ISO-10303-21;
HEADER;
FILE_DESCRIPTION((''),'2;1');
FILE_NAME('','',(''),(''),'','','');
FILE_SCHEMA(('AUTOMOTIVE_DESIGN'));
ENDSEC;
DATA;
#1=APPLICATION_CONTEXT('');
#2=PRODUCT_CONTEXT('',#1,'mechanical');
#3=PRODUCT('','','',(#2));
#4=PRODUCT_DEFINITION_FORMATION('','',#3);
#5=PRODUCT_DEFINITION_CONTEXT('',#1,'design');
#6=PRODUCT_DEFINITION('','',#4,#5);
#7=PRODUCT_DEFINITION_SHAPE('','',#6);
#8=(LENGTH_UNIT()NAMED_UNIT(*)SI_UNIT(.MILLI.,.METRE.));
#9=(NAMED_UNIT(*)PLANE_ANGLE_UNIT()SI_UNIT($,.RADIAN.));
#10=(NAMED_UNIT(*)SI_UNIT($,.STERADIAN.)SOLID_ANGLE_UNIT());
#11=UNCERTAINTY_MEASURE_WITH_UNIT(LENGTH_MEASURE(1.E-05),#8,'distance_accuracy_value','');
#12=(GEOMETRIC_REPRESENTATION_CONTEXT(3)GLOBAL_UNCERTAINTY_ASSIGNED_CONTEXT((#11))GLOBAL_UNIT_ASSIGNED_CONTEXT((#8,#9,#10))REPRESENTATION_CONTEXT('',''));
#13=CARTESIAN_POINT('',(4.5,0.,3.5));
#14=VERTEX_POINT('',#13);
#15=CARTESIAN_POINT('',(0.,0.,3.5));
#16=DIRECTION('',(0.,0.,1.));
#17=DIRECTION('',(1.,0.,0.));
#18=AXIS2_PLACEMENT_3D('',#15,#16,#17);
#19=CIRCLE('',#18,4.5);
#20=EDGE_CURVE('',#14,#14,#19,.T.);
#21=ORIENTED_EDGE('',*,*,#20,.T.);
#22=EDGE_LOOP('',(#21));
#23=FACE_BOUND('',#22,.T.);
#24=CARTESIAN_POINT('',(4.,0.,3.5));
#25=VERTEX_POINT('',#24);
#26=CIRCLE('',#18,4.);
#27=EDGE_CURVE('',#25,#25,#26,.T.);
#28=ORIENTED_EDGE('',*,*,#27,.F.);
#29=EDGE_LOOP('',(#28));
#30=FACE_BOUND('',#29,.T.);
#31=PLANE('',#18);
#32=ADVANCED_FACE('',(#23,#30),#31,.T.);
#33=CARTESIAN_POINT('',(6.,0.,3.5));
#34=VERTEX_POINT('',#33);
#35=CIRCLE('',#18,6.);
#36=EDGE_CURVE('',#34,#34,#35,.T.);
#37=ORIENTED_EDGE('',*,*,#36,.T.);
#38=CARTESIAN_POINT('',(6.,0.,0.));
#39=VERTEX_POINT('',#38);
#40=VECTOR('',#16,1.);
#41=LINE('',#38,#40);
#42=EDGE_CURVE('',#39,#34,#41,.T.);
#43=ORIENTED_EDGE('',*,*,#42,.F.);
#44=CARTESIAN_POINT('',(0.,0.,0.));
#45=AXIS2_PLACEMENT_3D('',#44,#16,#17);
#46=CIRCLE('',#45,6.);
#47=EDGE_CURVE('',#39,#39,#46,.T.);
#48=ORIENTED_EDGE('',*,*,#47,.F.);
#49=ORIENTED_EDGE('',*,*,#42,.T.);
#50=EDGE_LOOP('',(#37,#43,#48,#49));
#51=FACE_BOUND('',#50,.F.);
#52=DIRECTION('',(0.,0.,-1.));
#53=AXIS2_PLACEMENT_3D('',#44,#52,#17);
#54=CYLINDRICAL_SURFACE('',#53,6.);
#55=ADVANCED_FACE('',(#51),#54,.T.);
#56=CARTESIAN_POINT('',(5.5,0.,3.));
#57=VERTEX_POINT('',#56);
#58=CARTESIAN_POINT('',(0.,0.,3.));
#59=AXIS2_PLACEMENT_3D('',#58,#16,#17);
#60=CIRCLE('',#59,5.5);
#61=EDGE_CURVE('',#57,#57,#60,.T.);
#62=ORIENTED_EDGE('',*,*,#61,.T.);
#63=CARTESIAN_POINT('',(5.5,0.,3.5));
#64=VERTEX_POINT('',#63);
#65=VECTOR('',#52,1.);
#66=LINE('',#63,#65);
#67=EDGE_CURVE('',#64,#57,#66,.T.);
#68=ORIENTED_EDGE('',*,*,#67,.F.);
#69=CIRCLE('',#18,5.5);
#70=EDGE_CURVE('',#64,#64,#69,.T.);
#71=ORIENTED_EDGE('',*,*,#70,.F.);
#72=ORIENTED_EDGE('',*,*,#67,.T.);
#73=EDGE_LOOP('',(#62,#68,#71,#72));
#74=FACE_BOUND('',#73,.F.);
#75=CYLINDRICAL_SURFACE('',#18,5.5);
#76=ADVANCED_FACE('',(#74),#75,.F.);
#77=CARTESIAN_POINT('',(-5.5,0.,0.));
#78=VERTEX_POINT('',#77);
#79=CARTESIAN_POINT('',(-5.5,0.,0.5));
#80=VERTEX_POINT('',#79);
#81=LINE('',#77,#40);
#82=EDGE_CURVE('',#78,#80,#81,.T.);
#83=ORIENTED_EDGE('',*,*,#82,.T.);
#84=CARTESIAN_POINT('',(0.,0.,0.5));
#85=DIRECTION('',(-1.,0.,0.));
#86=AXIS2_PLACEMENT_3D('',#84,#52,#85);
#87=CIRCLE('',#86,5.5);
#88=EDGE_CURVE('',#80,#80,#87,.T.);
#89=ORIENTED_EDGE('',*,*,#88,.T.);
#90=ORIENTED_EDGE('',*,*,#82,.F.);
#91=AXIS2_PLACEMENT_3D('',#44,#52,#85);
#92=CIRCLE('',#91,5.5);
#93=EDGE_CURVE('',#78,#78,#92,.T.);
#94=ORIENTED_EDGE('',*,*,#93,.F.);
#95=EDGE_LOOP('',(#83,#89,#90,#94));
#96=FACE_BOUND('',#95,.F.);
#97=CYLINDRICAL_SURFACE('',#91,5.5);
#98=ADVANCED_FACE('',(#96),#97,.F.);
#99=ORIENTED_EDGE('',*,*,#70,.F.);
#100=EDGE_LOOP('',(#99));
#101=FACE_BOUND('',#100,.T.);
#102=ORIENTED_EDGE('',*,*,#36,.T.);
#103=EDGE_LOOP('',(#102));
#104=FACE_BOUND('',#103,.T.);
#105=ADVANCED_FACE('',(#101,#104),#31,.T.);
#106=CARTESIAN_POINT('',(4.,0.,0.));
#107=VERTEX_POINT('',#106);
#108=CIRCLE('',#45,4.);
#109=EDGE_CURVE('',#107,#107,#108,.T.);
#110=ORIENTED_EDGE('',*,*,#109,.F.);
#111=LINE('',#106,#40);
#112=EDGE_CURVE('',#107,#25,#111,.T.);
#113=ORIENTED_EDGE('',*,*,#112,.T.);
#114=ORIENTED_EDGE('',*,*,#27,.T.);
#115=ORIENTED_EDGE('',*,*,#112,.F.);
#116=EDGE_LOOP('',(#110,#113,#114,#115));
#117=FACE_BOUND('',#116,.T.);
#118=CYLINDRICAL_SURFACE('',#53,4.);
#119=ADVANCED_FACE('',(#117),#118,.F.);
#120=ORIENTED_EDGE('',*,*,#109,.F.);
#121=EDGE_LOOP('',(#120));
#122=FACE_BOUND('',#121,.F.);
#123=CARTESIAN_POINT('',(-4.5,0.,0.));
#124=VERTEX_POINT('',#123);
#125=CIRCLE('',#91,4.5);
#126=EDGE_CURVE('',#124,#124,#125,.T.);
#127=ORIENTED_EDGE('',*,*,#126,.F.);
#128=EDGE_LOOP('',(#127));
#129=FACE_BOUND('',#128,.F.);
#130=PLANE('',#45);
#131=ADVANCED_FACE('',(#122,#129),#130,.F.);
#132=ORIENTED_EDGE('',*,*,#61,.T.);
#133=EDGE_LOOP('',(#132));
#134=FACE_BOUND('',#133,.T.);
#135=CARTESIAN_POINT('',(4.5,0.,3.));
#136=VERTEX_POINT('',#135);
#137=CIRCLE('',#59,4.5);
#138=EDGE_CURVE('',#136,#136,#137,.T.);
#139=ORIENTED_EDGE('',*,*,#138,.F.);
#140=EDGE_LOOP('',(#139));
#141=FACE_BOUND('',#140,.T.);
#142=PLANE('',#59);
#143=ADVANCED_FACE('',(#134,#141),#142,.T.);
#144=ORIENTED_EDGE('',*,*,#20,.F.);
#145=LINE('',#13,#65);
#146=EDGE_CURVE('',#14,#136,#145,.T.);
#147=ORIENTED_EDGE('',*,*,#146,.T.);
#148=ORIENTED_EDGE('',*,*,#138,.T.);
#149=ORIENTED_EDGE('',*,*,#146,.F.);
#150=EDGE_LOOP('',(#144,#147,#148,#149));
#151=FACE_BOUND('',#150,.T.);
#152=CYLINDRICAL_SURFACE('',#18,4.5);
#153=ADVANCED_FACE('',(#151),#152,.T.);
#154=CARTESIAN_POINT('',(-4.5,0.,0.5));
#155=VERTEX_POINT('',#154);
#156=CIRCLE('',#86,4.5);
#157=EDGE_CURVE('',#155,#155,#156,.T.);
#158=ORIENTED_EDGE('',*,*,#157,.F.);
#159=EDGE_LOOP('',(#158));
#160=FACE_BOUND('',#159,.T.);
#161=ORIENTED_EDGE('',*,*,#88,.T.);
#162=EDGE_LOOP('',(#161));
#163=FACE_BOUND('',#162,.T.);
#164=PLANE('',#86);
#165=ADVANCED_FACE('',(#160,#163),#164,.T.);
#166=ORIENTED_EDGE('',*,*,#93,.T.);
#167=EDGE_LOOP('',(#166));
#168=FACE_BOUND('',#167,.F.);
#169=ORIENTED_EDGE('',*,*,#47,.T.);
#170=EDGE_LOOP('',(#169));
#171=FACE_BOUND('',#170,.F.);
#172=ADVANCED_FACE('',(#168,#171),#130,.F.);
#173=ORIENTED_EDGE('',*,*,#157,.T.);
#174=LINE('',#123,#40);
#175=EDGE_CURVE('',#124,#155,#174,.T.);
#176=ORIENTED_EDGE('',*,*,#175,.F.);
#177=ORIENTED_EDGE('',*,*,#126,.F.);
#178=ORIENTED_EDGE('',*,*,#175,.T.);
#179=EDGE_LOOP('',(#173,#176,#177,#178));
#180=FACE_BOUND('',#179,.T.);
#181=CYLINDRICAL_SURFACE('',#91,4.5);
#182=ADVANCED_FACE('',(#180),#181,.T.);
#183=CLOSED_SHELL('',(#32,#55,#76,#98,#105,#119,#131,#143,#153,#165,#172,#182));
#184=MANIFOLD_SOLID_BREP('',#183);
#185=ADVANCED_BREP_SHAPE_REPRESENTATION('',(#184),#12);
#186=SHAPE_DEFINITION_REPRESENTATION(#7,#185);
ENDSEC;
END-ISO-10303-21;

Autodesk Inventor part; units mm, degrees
ref_plane "YZ Plane" through (0, 0, 0) normal (1, 0, 0) x (0, 1, 0)
ref_plane "XZ Plane" through (0, 0, 0) normal (0, 1, 0) x (-1, 0, 0)
ref_plane "XY Plane" through (0, 0, 0) normal (0, 0, 1) x (1, 0, 0)
sketch "Sketch1" plane through (0, 0, 0) normal (0, 0, 1) x (1, 0, 0)
  circle A0 centre (0, 0) radius 4
  circle A1 centre (0, 0) radius 6
  dimension "d0" = 8
  dimension "d1" = 12
extrude "Extrusion1" add sketch "Sketch1" along normal blind 3.5
sketch "Sketch2" plane through (0, 0, 3.5) normal (0, 0, 1) x (1, 0, 0)
  circle A0 centre (0, 0) radius 4.5
  circle A1 centre (0, 0) radius 5.5
  dimension "d4" = 9
  dimension "d5" = 11
extrude "Extrusion2" cut sketch "Sketch2" against normal blind 0.5
sketch "Sketch3" plane through (0, 0, 0) normal (0, 0, -1) x (-1, 0, 0)
  circle A0 centre (0, 0) radius 4.5
  circle A1 centre (0, 0) radius 5.5
  dimension "d8" = 9
  dimension "d9" = 11
extrude "Extrusion3" cut sketch "Sketch3" against normal blind 0.5
properties part number "2P.03.01.00.05.IM.Bearing8123.5"
